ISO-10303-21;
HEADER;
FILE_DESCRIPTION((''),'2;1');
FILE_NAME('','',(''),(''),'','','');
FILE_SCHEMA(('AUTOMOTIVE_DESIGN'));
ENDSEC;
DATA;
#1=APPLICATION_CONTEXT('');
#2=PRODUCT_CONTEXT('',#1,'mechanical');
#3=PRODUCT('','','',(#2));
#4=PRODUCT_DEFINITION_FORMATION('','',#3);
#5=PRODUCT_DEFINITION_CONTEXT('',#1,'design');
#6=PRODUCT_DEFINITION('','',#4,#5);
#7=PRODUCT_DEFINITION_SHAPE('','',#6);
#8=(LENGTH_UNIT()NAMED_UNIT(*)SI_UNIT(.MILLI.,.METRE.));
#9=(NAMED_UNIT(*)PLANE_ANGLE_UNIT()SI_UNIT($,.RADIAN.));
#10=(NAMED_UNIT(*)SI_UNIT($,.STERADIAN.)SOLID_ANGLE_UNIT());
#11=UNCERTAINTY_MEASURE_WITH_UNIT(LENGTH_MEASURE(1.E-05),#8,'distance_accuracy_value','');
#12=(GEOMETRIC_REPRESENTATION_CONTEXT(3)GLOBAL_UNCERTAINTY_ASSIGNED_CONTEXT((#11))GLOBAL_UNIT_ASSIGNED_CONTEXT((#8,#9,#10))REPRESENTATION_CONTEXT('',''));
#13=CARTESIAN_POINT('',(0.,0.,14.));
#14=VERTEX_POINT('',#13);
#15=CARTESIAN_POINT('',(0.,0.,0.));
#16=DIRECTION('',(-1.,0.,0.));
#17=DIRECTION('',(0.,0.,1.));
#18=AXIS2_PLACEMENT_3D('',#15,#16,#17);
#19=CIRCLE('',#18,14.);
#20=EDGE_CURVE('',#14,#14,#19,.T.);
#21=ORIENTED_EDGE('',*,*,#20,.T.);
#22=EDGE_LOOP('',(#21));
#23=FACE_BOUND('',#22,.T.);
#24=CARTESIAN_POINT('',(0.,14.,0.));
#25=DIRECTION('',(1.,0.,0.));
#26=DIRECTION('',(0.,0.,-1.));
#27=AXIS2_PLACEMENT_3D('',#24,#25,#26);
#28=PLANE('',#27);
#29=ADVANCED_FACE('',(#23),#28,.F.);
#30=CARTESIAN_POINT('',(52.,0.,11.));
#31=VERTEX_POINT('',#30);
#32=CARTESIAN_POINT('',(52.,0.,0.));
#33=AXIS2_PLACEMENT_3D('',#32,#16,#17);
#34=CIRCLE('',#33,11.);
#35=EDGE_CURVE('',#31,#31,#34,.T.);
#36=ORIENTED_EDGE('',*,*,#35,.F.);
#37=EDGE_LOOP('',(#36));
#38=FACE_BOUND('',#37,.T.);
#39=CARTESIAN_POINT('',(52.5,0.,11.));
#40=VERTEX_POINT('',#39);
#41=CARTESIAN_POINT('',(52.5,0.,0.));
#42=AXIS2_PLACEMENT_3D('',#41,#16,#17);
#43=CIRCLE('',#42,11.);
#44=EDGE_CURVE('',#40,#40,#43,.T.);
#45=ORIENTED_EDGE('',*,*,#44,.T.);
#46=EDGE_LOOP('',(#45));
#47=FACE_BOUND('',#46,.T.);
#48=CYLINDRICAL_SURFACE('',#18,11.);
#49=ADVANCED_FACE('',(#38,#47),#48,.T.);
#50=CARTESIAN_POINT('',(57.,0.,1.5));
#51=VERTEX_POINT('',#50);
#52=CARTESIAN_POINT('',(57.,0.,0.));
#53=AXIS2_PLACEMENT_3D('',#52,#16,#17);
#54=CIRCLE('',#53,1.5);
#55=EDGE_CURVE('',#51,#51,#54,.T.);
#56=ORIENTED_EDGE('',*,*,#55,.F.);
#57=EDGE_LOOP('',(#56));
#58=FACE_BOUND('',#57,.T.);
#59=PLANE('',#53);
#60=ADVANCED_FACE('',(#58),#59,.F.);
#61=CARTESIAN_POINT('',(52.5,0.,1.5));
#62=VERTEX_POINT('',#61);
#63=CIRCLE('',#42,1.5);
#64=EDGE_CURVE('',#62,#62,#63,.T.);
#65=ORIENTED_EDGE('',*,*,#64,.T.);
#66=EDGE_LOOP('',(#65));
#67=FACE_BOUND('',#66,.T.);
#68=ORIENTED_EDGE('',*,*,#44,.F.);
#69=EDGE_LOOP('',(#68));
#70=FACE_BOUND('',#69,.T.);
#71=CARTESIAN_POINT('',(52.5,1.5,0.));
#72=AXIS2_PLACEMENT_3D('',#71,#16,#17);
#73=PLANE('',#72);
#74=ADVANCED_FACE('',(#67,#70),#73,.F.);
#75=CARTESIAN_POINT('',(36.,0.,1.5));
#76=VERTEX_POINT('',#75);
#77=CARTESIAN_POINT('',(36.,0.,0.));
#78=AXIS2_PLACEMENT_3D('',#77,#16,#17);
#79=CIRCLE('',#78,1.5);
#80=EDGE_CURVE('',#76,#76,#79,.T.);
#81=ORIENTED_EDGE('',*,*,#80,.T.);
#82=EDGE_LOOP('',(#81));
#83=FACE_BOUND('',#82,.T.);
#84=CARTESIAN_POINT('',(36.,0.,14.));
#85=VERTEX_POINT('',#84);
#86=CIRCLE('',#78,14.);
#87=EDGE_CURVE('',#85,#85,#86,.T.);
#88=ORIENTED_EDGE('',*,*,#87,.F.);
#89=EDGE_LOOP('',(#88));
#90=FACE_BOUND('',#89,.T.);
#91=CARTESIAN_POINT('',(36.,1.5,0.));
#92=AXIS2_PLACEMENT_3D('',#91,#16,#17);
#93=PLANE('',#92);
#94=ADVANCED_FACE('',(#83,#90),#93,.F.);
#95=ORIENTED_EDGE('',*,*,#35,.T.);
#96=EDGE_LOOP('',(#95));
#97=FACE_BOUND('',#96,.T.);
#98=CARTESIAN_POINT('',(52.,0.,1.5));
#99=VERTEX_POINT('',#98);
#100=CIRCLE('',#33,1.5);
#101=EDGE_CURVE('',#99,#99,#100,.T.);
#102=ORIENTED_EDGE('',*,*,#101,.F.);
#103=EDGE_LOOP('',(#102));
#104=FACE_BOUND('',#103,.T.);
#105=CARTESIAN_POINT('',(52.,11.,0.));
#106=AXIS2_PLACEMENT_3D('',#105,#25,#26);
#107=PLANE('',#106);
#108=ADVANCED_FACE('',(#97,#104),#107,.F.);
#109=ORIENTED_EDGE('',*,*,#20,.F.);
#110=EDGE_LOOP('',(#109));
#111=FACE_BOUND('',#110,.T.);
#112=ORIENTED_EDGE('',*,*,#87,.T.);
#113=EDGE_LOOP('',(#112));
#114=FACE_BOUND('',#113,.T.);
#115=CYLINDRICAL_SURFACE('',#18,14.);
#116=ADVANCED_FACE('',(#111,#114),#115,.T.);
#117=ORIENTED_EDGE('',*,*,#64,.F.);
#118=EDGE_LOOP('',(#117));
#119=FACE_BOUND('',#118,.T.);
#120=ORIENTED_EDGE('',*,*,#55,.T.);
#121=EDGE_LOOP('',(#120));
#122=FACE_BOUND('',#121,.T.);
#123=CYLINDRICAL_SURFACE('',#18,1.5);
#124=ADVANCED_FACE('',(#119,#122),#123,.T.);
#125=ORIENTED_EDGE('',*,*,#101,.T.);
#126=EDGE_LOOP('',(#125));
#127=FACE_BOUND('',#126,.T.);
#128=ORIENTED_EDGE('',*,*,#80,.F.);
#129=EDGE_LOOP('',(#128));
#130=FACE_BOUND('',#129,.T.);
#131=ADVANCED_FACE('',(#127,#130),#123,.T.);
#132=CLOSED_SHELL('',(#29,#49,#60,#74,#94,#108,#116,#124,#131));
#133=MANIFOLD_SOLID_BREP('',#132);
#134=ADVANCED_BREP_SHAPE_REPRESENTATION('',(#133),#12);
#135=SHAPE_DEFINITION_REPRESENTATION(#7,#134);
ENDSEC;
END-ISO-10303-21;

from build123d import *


with BuildPart() as part:
    # Sketch3 → Revolve1 (revolve)
    with BuildSketch(Plane.XY, mode=Mode.PRIVATE) as revolve1_sk:
        Polygon((0, 0), (57, 0), (57, 1.5), (52.5, 1.5), (52.5, 11), (52, 11), (52, 1.5), (36, 1.5), (36, 14), (0, 14), align=None)
    revolve(revolve1_sk.sketch.rotate(Axis((0, 0, 0), (1, 0, 0)), 90), axis=Axis((0, 0, 0), (1, 0, 0)))


solid = part.part
